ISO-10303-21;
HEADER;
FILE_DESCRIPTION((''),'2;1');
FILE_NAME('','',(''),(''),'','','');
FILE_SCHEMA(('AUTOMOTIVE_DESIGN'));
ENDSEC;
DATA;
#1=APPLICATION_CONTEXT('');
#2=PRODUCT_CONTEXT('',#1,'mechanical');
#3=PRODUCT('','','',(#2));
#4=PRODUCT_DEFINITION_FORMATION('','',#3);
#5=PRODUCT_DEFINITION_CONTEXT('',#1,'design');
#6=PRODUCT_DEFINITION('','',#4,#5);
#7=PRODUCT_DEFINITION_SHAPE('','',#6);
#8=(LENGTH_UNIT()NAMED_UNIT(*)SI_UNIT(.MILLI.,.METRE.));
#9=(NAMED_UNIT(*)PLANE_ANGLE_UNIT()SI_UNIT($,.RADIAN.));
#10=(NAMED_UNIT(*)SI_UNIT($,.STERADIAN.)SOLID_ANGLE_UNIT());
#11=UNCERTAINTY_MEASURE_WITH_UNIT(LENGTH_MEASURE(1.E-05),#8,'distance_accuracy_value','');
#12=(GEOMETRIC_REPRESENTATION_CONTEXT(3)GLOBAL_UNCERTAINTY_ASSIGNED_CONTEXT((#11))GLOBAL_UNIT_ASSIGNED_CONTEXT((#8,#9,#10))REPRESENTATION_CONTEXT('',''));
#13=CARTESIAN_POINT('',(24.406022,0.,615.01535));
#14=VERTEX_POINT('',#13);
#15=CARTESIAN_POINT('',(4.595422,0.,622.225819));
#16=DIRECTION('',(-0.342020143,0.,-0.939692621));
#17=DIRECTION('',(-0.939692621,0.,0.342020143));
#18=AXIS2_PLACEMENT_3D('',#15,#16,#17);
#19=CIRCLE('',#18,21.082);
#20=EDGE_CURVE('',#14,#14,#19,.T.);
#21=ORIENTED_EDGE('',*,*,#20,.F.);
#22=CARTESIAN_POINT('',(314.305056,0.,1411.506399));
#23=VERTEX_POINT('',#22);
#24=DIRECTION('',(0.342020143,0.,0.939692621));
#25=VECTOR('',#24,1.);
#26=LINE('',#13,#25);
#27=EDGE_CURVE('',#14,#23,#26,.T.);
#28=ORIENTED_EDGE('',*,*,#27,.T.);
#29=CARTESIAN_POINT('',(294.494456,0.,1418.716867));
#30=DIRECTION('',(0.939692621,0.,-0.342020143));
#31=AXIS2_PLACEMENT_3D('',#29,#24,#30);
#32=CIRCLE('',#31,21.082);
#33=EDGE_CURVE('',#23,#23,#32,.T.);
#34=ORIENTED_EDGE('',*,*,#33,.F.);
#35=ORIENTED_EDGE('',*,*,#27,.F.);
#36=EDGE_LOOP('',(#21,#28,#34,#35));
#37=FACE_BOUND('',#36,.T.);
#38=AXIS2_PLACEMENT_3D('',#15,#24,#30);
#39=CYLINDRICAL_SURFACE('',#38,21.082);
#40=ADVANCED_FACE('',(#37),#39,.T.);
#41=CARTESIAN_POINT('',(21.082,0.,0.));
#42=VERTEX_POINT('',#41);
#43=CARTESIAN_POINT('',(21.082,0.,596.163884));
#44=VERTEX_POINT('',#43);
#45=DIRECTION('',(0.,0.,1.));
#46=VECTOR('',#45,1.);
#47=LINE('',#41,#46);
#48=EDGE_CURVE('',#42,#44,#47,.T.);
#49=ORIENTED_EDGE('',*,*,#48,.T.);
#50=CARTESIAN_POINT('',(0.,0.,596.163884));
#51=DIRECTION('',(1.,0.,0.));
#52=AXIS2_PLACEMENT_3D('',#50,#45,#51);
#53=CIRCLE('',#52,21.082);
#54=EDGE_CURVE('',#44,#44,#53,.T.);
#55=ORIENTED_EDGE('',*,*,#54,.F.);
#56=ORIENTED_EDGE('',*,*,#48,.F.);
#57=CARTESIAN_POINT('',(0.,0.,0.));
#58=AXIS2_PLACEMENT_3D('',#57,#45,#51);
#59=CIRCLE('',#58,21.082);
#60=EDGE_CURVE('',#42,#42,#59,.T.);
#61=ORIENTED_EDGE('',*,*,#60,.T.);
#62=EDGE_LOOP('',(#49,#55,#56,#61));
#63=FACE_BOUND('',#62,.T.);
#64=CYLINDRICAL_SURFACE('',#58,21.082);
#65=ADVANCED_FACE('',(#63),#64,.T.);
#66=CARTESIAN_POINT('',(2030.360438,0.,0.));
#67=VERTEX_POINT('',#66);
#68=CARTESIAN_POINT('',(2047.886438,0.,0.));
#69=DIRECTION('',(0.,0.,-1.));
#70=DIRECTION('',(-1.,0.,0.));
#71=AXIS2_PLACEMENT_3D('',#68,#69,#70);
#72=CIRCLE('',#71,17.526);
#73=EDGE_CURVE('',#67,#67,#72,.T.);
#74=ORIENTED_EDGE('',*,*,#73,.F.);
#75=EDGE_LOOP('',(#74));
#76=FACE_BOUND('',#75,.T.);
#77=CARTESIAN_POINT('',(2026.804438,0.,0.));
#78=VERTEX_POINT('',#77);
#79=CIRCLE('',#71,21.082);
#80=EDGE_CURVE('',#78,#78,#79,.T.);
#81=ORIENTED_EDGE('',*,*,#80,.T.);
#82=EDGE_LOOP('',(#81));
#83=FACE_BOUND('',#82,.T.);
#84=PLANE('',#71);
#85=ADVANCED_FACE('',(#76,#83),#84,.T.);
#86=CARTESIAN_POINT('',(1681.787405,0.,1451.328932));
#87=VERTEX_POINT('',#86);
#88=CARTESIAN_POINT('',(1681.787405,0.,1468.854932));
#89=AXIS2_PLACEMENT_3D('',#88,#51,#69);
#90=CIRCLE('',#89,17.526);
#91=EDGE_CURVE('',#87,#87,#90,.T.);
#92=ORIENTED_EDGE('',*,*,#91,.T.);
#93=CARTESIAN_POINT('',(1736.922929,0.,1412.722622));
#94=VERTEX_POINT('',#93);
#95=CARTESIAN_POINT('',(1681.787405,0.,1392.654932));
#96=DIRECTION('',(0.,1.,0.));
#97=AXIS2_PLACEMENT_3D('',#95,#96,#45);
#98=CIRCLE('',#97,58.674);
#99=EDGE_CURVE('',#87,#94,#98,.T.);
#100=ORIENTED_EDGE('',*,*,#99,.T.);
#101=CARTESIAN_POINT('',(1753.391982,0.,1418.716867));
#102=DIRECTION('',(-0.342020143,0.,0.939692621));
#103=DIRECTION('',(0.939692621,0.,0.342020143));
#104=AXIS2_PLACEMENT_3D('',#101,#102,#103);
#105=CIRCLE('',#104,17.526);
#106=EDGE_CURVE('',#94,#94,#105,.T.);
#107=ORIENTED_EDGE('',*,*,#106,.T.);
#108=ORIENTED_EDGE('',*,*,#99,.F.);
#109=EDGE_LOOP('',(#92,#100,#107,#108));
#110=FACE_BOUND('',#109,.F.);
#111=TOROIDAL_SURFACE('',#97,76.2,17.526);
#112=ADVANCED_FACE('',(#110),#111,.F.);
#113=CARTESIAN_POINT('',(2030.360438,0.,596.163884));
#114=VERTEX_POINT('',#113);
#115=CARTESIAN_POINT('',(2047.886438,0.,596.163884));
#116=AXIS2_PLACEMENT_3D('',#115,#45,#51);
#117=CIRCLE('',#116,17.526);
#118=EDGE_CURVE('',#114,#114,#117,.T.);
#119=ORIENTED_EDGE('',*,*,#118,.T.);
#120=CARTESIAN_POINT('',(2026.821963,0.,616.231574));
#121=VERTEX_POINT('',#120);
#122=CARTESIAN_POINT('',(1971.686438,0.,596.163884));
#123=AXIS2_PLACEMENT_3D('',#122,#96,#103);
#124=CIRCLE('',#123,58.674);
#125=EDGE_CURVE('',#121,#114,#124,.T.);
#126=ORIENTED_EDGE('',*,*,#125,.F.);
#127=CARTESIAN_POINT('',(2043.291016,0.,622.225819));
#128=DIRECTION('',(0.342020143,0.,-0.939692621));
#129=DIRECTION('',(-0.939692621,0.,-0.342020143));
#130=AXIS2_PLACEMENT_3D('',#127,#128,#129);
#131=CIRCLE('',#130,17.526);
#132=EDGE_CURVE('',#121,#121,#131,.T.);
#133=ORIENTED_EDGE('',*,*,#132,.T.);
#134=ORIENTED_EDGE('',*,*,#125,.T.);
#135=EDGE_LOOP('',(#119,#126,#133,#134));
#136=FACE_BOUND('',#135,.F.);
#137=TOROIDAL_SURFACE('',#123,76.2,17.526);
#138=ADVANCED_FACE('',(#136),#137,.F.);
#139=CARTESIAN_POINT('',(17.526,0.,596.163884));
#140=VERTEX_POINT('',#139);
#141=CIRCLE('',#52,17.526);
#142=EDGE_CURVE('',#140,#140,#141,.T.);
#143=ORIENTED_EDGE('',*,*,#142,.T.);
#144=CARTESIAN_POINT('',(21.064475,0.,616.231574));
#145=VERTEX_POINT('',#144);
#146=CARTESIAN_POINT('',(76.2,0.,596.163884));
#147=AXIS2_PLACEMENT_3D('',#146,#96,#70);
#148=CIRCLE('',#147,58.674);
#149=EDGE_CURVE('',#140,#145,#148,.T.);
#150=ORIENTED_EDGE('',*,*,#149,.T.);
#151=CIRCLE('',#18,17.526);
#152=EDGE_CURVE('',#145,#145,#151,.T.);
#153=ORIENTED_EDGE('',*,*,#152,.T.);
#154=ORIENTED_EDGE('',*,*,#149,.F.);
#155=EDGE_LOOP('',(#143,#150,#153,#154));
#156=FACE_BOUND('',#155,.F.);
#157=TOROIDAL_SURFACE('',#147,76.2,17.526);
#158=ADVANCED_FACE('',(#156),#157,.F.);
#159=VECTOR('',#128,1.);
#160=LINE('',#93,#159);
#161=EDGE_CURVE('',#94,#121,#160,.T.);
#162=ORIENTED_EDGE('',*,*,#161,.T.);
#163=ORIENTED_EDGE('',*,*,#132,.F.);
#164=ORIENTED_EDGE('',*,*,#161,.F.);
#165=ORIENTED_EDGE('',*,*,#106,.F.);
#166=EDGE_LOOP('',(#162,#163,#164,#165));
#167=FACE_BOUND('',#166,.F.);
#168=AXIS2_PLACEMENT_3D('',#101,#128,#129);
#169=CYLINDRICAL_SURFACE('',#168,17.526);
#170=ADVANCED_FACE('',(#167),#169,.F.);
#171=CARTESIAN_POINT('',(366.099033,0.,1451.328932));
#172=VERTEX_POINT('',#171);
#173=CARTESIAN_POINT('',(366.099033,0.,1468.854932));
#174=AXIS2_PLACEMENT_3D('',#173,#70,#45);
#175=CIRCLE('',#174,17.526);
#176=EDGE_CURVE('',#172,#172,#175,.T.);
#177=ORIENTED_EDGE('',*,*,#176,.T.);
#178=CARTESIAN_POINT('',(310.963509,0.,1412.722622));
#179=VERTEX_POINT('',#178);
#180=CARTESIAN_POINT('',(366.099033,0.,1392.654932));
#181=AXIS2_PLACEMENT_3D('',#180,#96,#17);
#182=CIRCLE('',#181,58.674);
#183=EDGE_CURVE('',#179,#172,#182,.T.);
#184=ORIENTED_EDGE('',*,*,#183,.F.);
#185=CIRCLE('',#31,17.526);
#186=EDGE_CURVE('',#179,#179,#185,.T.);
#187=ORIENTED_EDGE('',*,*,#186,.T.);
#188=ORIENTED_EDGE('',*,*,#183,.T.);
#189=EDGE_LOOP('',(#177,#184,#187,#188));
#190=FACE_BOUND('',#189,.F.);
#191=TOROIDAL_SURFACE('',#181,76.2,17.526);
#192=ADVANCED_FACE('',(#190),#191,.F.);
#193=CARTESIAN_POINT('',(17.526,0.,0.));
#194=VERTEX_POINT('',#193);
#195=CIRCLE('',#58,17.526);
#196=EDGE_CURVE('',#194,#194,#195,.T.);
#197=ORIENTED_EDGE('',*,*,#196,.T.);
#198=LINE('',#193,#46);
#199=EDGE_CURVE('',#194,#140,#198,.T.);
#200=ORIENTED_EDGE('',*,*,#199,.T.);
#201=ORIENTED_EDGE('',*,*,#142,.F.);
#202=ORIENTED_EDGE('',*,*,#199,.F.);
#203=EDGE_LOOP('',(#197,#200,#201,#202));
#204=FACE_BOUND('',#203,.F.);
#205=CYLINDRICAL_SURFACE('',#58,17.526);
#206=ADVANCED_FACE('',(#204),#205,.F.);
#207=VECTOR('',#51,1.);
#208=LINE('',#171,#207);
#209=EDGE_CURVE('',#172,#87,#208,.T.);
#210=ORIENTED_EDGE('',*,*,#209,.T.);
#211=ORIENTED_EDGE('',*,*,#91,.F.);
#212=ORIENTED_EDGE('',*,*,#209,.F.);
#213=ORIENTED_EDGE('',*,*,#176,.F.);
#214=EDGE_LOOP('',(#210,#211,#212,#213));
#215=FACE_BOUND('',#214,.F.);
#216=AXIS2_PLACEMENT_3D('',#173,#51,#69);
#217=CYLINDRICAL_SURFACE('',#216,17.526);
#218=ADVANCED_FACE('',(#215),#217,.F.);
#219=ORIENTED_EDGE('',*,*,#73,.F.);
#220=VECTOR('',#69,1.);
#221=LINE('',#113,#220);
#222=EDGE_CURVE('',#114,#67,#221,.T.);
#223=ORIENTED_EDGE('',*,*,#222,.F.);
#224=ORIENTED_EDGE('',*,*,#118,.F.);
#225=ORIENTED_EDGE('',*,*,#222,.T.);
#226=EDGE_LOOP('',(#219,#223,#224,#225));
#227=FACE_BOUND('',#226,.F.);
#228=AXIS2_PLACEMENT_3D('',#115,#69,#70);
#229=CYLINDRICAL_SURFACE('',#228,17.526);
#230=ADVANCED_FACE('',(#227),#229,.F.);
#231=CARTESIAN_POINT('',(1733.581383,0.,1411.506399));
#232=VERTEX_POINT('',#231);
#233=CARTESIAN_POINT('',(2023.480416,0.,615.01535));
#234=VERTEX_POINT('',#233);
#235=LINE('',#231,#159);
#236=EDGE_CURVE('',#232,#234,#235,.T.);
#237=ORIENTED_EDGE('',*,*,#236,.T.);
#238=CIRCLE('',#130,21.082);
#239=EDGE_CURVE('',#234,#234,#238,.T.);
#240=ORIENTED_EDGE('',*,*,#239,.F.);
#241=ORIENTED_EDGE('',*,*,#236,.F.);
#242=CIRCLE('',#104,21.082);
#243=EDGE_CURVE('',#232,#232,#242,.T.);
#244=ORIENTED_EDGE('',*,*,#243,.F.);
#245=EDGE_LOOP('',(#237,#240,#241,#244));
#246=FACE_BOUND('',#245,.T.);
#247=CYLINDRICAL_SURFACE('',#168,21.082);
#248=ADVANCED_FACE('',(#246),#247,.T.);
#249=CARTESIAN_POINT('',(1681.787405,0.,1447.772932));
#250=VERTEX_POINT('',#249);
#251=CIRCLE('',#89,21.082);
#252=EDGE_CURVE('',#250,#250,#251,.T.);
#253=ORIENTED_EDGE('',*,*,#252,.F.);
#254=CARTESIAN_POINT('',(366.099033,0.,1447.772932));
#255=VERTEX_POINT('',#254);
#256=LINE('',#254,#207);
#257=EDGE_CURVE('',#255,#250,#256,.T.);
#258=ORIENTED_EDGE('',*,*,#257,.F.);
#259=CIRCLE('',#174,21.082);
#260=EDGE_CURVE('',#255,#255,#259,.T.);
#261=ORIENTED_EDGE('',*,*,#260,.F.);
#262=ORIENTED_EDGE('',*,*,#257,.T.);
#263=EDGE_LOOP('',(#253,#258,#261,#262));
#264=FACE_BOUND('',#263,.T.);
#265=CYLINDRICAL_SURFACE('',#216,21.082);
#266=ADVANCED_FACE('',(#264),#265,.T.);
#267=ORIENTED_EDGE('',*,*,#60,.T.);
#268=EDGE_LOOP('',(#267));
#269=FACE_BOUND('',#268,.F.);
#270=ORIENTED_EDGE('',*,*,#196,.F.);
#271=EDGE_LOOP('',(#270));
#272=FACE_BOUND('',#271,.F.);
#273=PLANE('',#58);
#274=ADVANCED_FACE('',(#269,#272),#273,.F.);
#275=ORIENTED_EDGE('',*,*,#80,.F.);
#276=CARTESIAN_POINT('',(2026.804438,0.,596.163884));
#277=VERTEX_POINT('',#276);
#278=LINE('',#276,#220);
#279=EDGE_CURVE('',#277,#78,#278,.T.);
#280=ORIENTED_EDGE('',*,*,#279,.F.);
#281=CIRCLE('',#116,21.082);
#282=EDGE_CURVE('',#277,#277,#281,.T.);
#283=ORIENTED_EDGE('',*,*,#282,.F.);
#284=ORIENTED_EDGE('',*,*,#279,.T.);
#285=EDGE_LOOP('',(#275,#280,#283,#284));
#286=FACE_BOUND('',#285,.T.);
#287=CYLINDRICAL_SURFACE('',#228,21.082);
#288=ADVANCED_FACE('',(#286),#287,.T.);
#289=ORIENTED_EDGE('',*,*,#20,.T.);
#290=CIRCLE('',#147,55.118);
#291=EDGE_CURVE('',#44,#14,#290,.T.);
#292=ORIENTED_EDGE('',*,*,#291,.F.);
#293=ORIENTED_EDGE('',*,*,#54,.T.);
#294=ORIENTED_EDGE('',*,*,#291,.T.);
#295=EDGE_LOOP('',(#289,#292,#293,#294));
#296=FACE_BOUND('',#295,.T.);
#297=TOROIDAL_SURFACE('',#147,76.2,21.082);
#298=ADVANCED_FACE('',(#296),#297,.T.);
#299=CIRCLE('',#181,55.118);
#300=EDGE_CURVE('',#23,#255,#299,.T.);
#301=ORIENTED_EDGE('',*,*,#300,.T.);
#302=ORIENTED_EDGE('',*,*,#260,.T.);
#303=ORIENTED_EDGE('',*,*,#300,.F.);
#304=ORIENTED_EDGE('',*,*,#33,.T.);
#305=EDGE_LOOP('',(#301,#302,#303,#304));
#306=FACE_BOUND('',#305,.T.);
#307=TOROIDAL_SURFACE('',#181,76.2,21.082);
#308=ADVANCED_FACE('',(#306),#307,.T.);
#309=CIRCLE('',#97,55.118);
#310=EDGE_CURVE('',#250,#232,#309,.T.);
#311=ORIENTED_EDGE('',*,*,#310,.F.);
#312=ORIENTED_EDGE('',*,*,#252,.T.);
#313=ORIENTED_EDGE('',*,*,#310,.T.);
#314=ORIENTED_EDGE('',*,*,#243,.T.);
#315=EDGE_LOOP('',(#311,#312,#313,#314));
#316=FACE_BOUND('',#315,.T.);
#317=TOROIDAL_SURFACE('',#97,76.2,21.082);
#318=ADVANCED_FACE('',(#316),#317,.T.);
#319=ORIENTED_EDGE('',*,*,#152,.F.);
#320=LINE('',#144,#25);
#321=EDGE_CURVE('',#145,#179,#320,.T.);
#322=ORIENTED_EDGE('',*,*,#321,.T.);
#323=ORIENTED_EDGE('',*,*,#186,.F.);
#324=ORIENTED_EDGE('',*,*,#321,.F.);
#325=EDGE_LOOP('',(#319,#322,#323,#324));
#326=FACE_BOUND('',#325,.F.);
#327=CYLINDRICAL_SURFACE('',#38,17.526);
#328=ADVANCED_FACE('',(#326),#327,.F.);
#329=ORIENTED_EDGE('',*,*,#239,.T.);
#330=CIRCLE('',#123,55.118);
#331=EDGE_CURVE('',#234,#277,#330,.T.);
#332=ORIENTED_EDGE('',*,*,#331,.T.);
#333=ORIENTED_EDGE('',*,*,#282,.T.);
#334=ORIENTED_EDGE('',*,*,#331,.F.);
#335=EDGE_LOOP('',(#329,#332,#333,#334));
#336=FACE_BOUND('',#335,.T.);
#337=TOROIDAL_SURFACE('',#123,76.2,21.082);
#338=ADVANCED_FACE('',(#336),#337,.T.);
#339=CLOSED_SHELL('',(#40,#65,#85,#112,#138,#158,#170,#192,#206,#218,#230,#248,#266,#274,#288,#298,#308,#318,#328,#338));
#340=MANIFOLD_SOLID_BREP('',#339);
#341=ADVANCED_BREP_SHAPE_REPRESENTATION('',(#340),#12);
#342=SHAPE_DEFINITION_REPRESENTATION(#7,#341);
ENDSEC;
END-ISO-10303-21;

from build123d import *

# Parameters (mm, degrees)
F0_R   = 21.082
F0_R_2 = 17.526


with BuildPart() as f2:
    # F2: sweep along a path in F1
    with BuildLine(Plane.XZ) as f2_path:
        Line((0, 0), (0, 596.16388407))
        ThreePointArc((0, 596.16388407), (1.1576492205, 609.3958752082), (4.5954222961, 622.2258189914))
        Line((4.5954222961, 622.2258189914), (294.4944557647, 1418.7168673681))
        ThreePointArc((294.4944557647, 1418.7168673681), (322.3925090186, 1455.0743182215), (366.0990334686, 1468.8549324466))
        Line((366.0990334686, 1468.8549324466), (1681.7874046454, 1468.8549324466))
        ThreePointArc((1681.7874046454, 1468.8549324466), (1725.4939290954, 1455.0743182215), (1753.3919823493, 1418.7168673681))
        Line((1753.3919823493, 1418.7168673681), (2043.2910158179, 622.2258189914))
        ThreePointArc((2043.2910158179, 622.2258189914), (2046.7287888935, 609.3958752082), (2047.886438114, 596.16388407))
        Line((2047.886438114, 596.16388407), (2047.886438114, 0))
    # F0 (on Top) → F2 (sweep)
    with BuildSketch(Plane.XY):
        Circle(F0_R)
        Circle(F0_R_2, mode=Mode.SUBTRACT)
    sweep(path=f2_path.line)


solid = f2.part
